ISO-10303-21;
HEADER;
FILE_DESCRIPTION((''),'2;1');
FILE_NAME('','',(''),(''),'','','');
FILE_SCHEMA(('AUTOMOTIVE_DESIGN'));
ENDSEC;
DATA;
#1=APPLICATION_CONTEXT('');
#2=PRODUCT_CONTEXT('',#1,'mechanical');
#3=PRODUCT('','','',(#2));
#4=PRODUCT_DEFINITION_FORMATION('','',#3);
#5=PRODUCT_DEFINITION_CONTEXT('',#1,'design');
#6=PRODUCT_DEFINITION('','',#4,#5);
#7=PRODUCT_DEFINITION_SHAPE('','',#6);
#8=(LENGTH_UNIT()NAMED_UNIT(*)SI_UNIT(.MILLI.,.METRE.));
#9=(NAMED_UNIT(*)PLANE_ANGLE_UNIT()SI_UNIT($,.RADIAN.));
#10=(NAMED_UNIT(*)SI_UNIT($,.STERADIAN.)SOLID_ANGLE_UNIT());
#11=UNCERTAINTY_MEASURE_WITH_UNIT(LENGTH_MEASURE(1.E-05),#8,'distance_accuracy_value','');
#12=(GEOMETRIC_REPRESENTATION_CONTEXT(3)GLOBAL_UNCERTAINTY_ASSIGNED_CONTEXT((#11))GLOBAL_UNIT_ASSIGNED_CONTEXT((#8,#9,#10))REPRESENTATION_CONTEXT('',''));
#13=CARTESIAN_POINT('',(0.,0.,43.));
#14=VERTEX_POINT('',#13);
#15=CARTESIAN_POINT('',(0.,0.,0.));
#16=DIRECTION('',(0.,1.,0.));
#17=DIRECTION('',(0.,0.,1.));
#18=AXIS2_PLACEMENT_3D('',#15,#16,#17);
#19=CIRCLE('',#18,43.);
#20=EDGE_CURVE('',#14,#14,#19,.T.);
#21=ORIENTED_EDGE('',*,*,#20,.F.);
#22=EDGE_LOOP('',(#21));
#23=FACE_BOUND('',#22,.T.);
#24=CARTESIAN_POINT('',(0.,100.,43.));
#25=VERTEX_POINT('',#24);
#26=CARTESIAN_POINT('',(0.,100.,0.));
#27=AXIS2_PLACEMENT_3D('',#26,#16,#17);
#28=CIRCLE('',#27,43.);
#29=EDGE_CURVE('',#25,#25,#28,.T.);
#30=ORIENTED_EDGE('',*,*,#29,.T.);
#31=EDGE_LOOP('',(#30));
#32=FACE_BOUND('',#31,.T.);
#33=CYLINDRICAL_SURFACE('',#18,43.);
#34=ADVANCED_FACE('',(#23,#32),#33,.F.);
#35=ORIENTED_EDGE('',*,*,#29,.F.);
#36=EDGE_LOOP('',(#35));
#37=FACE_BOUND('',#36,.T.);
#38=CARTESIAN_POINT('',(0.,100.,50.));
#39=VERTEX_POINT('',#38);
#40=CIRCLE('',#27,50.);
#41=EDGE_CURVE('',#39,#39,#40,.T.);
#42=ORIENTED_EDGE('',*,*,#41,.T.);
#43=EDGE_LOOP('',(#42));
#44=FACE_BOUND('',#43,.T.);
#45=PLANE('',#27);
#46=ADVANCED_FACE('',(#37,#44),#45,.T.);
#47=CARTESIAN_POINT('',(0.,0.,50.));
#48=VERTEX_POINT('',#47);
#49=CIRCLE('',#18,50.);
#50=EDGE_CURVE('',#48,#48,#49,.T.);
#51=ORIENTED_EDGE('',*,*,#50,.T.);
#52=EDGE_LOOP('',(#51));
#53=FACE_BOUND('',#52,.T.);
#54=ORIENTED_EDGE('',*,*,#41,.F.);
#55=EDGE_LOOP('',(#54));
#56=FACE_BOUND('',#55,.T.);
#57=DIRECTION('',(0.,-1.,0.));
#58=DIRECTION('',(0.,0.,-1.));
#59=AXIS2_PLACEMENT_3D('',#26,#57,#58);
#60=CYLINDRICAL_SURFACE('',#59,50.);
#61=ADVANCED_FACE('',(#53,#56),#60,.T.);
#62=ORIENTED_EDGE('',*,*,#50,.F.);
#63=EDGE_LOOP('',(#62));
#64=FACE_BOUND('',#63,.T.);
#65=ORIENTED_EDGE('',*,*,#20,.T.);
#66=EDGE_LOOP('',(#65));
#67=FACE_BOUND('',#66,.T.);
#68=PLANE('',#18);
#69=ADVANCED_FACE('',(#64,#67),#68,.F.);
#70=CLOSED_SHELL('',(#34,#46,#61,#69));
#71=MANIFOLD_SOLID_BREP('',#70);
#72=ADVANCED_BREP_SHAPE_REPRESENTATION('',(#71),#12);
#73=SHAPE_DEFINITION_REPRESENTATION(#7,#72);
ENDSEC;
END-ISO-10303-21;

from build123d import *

# Parameters (mm, degrees)
SKETCH1_R           = 50
BOSS_EXTRUDE1_DEPTH = 100
SKETCH3_R           = 43
CUT_EXTRUDE2_DEPTH  = 123.474487139


with BuildPart() as part:
    # Sketch1 → Boss-Extrude1 (new body)
    with BuildSketch(Plane(origin=(0, 0, 0), x_dir=(1, 0, 0), z_dir=(0, 1, 0))):
        with Locations(Location((0, 0, 0), (0, 0, 270))):
            Circle(SKETCH1_R)
    extrude(amount=BOSS_EXTRUDE1_DEPTH)

    # Sketch3 → Cut-Extrude2 (cut, through all)
    with BuildSketch(Plane(origin=(0, 100, 0), x_dir=(1, 0, 0), z_dir=(0, 1, 0))):
        with Locations(Location((0, 0, 0), (0, 0, 270))):
            Circle(SKETCH3_R)
    extrude(amount=-CUT_EXTRUDE2_DEPTH, mode=Mode.SUBTRACT)


solid = part.part
